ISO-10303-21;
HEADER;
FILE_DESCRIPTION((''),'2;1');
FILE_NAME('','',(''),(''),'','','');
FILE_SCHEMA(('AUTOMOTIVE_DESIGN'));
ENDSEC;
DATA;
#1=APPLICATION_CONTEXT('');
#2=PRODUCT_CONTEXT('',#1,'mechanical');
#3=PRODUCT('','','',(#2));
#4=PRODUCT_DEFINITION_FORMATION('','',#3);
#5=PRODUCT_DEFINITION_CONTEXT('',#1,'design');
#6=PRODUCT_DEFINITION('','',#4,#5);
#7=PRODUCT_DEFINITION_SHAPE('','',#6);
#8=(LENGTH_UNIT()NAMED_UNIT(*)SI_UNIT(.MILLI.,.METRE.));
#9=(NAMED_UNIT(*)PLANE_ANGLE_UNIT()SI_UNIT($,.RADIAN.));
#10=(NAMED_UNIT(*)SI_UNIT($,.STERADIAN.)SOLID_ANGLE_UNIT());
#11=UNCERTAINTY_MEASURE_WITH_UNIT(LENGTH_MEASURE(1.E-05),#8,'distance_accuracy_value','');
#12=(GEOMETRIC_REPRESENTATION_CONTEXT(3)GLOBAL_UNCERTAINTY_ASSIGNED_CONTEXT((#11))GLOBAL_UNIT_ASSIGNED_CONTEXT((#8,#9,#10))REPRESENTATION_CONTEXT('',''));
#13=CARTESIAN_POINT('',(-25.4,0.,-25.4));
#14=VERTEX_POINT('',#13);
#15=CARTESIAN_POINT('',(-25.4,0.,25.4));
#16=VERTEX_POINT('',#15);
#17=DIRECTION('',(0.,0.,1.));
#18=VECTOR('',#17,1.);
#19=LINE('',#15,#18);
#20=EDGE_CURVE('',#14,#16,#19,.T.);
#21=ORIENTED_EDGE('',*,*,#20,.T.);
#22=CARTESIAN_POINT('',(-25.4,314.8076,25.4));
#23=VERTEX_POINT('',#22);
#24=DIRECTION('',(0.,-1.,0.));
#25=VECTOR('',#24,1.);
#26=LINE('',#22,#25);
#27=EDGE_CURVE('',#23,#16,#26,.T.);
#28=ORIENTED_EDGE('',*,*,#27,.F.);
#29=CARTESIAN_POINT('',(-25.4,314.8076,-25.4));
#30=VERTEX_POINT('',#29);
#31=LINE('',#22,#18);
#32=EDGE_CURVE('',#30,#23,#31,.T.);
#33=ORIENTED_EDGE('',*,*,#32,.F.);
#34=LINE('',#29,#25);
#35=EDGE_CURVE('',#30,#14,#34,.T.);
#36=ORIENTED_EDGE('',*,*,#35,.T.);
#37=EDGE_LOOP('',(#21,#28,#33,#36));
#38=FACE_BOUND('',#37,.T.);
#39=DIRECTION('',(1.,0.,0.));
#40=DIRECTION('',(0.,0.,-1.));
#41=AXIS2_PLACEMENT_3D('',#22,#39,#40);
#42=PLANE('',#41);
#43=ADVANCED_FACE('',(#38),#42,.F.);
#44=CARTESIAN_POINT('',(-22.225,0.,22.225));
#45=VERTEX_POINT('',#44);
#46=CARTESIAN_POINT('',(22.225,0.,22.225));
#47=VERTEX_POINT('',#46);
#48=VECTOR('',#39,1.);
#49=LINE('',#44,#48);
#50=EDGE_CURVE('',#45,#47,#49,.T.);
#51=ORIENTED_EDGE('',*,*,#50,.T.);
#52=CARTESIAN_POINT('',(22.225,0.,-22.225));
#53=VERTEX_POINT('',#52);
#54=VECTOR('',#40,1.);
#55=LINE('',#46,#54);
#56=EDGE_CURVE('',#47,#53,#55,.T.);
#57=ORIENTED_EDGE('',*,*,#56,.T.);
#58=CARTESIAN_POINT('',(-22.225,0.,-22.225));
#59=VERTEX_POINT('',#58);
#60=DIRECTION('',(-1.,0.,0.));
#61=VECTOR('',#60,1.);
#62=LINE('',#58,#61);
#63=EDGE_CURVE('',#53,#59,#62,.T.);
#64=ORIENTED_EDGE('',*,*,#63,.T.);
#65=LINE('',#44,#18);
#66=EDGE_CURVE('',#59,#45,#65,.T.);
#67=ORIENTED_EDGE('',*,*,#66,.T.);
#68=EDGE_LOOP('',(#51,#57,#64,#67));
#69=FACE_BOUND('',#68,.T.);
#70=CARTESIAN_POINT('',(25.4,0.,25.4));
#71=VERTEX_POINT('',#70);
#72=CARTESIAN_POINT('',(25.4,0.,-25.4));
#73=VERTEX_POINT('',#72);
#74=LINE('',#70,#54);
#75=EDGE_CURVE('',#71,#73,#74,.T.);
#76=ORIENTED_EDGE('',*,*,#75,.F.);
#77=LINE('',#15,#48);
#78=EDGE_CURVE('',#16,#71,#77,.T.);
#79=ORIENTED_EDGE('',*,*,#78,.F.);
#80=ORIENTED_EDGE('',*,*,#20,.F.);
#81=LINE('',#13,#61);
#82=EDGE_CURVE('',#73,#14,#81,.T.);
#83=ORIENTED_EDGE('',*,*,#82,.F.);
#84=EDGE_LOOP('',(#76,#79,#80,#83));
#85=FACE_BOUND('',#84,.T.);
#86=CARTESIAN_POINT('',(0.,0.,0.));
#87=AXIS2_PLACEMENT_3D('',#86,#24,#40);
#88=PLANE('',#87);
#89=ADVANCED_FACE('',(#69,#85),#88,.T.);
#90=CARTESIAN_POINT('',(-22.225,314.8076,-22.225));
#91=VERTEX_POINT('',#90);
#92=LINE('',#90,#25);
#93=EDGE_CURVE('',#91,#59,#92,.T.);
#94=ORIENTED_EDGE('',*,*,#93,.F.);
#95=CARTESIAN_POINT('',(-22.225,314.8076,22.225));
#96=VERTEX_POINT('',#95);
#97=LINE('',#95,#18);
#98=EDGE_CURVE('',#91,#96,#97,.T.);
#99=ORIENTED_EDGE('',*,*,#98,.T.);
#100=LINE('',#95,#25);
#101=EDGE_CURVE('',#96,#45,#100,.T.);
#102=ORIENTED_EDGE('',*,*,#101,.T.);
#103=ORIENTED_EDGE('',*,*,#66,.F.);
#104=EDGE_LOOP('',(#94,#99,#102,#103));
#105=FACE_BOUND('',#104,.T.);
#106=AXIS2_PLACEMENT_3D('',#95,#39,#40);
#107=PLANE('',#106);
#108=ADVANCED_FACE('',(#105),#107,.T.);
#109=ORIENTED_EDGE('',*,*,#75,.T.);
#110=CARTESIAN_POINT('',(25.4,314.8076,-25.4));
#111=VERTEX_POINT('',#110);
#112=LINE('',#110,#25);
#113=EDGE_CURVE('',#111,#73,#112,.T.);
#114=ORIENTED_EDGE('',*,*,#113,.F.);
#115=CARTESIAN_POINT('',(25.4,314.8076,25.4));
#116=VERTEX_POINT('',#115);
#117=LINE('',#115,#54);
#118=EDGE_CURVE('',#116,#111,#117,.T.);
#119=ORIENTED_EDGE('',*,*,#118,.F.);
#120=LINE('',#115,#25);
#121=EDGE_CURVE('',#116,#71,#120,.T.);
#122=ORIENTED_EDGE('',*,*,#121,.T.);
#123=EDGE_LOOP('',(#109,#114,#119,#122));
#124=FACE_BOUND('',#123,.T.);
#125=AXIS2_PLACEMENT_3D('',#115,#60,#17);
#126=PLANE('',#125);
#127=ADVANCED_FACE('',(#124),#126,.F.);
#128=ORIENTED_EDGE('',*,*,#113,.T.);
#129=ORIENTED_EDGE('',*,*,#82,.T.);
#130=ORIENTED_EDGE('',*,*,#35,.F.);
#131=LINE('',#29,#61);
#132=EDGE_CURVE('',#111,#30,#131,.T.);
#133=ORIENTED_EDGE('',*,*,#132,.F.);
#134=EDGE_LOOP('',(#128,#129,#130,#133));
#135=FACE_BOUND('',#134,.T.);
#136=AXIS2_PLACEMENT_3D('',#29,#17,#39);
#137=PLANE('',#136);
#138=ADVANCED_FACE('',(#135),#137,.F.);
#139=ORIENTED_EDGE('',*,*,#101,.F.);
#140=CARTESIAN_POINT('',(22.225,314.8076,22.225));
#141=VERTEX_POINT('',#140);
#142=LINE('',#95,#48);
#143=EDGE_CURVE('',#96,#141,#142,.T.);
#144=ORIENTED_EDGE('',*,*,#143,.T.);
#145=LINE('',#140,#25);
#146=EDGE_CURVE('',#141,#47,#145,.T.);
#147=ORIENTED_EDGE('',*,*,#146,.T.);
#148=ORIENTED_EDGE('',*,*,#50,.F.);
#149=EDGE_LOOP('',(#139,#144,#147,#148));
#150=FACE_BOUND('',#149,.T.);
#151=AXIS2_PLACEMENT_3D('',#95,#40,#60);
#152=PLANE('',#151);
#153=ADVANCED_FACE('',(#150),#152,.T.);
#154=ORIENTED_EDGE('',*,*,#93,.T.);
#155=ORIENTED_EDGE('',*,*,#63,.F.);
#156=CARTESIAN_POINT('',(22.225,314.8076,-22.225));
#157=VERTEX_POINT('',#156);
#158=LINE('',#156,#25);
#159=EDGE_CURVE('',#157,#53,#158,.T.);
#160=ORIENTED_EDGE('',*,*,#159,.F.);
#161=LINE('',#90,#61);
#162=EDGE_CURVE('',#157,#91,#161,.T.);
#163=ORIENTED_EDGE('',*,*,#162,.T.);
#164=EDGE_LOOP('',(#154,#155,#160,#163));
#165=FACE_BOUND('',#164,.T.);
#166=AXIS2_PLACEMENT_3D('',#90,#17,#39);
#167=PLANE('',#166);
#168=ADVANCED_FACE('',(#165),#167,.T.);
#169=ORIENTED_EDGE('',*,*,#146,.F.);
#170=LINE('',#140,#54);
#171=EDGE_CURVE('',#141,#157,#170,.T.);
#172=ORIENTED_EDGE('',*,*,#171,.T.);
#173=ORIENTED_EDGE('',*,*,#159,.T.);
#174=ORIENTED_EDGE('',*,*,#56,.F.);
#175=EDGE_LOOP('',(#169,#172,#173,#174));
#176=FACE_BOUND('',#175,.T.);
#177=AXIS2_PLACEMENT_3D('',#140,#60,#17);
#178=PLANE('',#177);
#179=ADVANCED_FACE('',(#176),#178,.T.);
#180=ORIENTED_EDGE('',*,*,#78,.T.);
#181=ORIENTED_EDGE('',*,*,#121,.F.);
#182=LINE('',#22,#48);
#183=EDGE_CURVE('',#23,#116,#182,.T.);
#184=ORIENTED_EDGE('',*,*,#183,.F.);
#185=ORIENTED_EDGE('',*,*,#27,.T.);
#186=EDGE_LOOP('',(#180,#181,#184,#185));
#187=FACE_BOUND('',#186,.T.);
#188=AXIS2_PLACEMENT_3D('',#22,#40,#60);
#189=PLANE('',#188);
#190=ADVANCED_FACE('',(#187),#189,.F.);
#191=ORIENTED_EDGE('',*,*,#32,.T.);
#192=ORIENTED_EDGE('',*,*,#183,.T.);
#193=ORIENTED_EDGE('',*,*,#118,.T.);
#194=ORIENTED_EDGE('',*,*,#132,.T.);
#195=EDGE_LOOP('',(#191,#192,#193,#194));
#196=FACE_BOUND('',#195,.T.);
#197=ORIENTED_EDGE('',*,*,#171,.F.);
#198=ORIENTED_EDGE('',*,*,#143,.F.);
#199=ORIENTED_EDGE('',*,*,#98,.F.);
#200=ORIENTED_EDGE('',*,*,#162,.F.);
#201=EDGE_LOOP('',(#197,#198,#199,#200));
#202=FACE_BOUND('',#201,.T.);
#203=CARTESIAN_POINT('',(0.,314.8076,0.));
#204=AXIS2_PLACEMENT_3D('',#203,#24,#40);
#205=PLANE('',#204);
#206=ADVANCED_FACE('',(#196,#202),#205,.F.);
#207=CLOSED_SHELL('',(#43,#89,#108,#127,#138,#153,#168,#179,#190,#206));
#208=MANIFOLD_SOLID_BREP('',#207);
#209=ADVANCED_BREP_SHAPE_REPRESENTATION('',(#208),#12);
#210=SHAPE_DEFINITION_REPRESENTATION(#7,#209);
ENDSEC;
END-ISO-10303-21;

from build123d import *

# Parameters (mm, degrees)
SKETCH1_W           = 50.8
SKETCH1_H           = 50.8
SKETCH1_W_2         = 44.45
SKETCH1_H_2         = 44.45
BOSS_EXTRUDE1_DEPTH = 314.8076


with BuildPart() as part:
    # Sketch1 → Boss-Extrude1 (new body)
    with BuildSketch(Plane(origin=(0, 0, 0), x_dir=(1, 0, 0), z_dir=(0, 1, 0))):
        Rectangle(SKETCH1_W, SKETCH1_H)
        Rectangle(SKETCH1_W_2, SKETCH1_H_2, mode=Mode.SUBTRACT)
    extrude(amount=BOSS_EXTRUDE1_DEPTH)


solid = part.part
